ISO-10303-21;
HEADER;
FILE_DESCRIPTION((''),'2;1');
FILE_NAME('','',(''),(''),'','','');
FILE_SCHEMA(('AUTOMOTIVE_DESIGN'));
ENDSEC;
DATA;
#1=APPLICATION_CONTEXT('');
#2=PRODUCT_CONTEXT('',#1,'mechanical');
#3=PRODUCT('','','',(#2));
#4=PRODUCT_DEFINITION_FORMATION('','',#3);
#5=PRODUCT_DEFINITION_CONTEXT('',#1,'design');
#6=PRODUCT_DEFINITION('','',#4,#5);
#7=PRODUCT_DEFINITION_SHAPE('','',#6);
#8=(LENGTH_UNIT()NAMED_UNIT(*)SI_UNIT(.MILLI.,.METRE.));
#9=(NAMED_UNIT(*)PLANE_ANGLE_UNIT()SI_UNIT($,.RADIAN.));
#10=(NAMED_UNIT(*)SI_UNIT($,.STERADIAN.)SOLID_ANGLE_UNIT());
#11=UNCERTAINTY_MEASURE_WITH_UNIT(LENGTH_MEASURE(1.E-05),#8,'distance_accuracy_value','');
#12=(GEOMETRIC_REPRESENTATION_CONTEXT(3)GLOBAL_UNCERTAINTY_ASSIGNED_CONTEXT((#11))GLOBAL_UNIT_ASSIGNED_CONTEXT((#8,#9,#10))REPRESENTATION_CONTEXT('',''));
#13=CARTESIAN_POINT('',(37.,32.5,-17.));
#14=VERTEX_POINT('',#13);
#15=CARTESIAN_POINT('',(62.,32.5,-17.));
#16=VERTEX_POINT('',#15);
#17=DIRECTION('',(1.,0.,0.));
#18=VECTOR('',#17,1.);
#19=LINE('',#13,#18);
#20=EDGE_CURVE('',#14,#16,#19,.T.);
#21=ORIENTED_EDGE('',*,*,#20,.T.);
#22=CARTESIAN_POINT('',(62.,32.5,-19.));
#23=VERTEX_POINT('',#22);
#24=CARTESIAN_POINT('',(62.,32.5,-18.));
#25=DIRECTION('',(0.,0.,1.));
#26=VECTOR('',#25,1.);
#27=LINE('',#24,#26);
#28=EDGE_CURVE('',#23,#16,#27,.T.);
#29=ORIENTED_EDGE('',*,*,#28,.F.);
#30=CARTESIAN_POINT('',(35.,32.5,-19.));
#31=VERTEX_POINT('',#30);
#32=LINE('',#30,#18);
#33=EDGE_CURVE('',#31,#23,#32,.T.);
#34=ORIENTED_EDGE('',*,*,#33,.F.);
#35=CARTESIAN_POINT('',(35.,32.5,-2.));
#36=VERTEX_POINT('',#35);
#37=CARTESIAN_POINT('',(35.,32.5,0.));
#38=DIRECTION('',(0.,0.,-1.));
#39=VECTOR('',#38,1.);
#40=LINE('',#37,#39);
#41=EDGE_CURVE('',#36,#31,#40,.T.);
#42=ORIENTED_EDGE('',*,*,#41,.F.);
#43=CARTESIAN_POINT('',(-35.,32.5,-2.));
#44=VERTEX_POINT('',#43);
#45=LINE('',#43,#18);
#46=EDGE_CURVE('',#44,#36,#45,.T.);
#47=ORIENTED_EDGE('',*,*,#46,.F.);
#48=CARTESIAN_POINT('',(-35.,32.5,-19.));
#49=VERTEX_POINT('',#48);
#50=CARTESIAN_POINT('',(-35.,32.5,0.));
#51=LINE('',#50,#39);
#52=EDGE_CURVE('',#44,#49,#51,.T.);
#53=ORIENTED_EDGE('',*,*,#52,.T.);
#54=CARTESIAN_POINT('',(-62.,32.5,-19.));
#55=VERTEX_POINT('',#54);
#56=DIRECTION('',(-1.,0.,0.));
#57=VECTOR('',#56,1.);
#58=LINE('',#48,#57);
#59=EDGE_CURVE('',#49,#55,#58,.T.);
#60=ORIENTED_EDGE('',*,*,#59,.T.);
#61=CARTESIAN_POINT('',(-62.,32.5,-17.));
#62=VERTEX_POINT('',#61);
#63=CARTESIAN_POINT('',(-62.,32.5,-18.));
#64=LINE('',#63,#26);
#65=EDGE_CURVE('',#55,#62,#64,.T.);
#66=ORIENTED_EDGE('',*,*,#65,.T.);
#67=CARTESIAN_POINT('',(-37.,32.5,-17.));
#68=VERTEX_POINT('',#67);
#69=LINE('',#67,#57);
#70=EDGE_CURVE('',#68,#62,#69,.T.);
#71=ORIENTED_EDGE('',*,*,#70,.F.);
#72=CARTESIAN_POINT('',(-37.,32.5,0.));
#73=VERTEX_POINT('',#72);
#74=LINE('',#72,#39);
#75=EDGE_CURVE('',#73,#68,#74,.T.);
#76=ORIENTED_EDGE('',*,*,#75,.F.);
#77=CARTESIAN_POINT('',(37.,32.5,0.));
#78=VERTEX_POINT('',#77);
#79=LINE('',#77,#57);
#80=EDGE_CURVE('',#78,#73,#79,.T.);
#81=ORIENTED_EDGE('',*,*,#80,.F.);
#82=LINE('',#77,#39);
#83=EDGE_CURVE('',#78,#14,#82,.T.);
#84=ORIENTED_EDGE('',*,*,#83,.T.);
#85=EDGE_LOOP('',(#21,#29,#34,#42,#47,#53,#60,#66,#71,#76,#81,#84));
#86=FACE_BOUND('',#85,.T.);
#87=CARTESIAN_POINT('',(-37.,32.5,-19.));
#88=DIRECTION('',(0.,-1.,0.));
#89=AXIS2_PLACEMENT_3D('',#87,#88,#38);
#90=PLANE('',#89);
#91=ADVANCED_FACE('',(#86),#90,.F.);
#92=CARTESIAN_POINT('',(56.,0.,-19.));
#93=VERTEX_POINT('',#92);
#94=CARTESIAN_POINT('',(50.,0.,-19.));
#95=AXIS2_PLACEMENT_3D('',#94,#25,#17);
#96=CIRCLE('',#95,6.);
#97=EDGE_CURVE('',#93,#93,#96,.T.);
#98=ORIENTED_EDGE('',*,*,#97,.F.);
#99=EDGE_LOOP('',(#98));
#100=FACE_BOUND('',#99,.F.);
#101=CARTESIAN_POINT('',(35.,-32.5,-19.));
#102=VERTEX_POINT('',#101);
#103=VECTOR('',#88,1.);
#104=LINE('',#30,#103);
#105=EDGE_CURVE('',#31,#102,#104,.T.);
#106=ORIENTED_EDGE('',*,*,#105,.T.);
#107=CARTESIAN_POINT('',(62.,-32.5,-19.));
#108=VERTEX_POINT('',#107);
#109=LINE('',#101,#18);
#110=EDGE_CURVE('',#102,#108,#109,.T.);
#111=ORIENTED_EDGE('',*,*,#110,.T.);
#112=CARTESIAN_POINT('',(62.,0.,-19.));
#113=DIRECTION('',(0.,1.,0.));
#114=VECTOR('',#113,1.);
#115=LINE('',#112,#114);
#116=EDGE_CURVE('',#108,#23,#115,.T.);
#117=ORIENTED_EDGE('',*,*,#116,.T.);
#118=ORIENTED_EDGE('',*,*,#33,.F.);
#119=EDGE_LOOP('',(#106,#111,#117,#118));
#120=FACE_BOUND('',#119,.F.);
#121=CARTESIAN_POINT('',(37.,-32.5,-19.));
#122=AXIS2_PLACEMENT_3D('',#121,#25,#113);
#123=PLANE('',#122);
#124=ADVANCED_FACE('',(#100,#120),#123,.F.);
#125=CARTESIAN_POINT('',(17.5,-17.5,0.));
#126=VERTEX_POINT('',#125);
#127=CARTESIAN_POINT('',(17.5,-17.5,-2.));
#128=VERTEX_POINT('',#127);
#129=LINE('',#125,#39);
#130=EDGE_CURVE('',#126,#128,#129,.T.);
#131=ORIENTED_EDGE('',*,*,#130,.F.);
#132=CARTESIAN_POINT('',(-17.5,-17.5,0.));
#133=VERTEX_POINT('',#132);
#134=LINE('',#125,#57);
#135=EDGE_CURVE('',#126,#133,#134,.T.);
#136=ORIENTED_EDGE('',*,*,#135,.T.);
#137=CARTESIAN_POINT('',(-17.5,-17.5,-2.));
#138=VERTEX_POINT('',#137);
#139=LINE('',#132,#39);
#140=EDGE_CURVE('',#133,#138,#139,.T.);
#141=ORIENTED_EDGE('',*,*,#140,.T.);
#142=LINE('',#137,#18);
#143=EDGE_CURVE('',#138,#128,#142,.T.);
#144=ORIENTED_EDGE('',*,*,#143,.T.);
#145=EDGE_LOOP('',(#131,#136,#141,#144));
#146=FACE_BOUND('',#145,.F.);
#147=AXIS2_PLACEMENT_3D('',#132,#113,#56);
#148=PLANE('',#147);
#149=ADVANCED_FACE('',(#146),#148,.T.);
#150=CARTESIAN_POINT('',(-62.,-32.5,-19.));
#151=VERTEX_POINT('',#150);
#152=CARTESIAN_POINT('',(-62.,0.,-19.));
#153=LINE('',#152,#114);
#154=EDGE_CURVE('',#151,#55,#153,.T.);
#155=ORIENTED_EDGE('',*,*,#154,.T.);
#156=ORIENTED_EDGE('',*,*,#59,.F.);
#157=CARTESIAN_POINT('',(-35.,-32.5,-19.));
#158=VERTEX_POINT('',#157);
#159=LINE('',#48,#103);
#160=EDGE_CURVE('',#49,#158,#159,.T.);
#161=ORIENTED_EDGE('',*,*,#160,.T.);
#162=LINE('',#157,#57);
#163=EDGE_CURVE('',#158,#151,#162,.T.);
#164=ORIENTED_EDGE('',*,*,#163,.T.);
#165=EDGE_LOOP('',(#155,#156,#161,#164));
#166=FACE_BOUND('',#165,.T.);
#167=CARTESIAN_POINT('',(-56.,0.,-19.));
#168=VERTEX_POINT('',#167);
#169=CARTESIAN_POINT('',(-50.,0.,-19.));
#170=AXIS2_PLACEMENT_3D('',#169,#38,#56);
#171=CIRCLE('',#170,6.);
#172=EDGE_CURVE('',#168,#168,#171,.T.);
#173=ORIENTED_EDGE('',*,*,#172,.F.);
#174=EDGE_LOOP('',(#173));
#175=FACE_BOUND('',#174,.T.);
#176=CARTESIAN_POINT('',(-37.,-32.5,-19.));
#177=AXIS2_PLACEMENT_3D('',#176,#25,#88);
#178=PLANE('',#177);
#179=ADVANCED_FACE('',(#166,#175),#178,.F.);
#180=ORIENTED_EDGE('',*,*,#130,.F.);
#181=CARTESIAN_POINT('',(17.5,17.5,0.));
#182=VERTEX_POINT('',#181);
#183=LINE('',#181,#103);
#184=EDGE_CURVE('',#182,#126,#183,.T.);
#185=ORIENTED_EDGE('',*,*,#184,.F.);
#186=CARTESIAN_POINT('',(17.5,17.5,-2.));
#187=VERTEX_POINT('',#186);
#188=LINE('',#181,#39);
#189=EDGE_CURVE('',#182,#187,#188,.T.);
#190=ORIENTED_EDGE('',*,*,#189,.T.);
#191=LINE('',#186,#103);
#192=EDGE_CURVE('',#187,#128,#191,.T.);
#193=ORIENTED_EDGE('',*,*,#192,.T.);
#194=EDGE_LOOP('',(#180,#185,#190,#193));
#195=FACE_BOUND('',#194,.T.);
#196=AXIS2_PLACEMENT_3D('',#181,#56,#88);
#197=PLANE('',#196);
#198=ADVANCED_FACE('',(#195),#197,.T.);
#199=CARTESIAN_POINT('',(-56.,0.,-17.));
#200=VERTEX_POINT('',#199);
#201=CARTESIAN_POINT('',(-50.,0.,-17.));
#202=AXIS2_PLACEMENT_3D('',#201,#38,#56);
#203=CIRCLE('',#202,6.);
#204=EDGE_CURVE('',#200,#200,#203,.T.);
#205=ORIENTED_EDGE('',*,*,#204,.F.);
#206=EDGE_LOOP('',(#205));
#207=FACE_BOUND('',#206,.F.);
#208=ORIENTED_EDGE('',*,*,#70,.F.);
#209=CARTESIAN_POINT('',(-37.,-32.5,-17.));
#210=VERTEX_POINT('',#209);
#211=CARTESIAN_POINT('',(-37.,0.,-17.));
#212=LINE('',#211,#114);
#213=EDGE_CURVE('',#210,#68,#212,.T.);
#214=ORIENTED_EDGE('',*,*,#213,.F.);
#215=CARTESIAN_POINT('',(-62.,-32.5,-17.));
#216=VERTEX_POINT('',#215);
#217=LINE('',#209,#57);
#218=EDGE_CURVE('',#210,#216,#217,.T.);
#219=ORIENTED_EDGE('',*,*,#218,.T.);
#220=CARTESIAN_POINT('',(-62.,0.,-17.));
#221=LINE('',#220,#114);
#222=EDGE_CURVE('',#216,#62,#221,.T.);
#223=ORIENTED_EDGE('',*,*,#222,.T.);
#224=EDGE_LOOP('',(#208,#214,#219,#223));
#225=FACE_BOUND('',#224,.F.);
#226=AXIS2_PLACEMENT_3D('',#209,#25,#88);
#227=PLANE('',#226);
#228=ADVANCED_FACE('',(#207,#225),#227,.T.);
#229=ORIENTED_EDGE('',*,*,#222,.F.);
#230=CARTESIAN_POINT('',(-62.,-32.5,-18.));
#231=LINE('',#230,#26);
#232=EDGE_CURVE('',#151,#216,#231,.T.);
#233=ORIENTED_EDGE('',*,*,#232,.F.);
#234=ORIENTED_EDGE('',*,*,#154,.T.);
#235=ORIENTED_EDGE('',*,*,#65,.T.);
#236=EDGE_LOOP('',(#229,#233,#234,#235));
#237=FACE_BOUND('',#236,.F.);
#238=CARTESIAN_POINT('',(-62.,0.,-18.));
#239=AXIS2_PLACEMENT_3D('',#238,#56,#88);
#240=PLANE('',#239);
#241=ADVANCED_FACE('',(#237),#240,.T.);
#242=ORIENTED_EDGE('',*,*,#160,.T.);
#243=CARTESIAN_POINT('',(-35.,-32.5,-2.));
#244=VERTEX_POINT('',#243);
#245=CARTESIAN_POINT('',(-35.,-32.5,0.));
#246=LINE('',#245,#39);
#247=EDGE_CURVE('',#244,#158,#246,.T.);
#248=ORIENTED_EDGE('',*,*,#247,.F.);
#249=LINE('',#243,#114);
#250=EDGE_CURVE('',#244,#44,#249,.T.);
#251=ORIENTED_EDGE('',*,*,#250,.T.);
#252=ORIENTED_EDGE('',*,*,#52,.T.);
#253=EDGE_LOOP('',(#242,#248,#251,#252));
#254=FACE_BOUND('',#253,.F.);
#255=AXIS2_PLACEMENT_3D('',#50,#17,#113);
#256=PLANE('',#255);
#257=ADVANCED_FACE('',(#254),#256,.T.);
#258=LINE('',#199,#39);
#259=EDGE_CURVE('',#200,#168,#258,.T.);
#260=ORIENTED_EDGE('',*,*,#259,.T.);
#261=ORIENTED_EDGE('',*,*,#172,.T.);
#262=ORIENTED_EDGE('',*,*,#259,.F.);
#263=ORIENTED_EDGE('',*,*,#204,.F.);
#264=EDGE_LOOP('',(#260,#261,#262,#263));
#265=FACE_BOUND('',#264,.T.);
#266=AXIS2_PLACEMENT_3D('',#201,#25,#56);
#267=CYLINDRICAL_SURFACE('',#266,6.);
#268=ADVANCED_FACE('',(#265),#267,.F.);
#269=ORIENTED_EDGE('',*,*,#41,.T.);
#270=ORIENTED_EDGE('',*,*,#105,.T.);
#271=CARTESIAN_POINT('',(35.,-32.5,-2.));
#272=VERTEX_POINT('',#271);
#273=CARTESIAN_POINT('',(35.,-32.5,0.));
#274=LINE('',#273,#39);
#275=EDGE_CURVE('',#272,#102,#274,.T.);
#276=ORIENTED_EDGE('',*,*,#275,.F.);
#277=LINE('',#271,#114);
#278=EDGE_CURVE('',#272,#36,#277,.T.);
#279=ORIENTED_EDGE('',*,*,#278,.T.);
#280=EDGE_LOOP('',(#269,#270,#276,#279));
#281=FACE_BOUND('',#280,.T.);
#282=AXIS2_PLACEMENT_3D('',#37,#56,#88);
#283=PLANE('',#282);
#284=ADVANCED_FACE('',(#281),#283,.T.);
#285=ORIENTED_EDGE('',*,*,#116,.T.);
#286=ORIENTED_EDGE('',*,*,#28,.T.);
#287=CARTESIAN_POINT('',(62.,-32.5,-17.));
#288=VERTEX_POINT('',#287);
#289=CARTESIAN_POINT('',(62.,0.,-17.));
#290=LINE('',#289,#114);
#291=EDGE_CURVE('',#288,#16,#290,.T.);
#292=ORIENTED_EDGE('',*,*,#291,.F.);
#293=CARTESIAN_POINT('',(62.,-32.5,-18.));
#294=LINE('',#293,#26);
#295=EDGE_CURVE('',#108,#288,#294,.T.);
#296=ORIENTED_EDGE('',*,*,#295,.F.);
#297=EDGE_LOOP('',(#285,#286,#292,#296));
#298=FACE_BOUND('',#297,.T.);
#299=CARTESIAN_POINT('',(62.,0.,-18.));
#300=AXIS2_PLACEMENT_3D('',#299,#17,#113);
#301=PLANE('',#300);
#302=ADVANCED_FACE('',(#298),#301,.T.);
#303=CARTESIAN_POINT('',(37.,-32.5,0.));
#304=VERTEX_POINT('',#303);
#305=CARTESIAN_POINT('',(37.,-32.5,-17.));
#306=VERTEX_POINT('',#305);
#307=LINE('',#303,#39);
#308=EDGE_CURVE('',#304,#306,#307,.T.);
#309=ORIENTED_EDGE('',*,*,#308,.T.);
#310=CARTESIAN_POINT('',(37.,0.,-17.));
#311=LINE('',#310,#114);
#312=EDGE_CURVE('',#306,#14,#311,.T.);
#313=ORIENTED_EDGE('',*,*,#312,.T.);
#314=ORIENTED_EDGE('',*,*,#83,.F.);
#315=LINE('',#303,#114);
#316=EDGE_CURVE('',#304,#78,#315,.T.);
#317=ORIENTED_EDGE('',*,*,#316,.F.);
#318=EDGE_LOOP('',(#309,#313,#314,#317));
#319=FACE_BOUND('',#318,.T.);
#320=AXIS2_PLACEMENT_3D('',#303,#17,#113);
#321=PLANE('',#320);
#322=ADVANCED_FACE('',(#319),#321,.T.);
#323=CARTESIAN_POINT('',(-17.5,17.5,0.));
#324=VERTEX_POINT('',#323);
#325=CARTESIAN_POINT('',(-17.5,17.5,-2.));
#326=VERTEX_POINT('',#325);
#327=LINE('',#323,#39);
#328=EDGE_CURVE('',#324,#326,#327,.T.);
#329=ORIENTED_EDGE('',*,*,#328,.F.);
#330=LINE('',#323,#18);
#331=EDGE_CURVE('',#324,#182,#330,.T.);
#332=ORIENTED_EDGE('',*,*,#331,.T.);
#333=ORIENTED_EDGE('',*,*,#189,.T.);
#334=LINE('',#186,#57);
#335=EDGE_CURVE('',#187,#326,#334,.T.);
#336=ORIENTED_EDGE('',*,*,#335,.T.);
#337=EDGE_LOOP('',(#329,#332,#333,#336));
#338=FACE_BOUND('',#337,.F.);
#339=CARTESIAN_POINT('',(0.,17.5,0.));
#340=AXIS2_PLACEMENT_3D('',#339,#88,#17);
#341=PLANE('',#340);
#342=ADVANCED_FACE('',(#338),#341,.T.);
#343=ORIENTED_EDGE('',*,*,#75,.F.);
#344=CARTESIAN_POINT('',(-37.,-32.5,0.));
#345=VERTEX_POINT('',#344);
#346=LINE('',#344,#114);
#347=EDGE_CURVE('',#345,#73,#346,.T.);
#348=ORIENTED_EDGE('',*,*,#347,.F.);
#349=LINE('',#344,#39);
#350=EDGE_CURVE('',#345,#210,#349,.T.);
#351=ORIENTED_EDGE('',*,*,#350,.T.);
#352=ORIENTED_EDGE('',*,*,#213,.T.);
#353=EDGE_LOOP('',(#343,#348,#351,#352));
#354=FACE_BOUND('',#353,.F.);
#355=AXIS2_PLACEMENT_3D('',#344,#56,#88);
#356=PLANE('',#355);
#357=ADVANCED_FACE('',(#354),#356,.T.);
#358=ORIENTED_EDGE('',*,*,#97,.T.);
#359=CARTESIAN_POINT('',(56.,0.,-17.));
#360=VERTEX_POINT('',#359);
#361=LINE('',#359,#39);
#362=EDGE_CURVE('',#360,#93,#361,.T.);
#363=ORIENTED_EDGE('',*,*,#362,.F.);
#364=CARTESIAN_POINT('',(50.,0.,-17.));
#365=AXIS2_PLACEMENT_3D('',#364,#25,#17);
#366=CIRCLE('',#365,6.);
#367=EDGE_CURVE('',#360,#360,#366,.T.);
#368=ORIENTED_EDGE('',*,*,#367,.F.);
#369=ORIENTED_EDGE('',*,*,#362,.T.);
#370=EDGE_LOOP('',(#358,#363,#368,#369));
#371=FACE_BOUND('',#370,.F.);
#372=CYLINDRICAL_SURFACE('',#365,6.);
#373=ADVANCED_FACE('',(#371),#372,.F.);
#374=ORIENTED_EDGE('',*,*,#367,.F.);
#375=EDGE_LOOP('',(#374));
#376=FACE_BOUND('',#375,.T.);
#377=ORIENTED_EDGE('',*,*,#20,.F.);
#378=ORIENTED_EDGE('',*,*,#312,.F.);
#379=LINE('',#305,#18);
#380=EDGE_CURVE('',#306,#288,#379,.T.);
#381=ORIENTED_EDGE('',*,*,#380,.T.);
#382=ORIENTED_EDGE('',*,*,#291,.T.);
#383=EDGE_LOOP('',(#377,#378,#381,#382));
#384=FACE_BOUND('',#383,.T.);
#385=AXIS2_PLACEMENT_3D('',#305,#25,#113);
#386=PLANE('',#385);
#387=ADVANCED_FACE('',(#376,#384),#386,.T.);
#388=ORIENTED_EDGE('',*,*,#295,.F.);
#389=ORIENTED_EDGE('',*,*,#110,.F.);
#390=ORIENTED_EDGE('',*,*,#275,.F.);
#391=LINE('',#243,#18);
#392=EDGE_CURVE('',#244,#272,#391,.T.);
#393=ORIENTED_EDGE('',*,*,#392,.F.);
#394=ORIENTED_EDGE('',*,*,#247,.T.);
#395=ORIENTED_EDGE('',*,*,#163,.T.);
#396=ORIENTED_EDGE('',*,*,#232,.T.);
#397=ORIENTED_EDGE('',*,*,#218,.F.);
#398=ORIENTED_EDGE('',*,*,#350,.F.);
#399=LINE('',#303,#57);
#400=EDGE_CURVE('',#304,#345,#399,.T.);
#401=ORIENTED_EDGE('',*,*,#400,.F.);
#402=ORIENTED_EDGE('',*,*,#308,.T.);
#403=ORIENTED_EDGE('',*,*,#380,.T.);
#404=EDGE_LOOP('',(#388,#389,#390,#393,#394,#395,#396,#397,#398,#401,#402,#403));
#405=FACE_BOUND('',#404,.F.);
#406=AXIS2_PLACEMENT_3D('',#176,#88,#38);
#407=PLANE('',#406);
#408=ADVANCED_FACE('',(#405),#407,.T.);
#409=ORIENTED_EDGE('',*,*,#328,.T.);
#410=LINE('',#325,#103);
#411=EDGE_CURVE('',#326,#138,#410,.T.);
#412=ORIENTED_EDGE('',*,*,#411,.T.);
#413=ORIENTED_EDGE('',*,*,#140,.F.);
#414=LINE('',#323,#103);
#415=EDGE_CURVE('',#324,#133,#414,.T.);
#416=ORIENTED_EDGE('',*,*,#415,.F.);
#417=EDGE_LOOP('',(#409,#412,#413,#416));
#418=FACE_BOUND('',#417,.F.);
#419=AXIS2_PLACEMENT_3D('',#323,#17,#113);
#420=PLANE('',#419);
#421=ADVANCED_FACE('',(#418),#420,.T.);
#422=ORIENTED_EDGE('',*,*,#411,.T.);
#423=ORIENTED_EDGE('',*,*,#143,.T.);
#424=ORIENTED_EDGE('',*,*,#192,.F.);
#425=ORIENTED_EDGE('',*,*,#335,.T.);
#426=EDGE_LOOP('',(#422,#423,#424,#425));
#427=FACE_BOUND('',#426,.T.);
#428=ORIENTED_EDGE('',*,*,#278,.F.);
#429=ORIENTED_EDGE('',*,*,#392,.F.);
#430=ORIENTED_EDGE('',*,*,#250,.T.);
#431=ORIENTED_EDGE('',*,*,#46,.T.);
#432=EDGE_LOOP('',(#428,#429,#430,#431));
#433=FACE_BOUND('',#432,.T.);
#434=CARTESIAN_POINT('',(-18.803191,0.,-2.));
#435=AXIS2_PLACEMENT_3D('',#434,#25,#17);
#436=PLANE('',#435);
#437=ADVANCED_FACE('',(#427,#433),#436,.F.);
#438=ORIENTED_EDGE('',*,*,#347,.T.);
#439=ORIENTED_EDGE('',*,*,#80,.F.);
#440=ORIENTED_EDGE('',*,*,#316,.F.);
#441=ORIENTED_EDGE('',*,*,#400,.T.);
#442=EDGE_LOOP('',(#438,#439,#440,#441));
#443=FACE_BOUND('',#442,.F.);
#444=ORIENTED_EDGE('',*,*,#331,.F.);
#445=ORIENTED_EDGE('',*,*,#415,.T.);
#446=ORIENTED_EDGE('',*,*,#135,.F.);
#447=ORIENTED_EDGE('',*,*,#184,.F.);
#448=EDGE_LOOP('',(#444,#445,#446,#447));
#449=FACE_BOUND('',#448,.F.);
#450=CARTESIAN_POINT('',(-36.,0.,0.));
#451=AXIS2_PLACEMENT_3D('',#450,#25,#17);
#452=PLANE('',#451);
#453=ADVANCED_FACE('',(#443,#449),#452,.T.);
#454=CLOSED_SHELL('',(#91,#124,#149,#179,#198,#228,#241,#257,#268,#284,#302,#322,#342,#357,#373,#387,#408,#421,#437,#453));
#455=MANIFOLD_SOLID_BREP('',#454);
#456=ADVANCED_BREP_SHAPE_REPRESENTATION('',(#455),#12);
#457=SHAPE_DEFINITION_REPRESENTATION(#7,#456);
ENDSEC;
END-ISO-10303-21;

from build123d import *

# Parameters (mm, degrees)
F1_DEPTH = 2
F2_DEPTH = 19
F3_W     = 65
F3_H     = 2
F4_DEPTH = 25
F5_R     = 6
F6_DEPTH = 2.001


with BuildPart() as f1:
    # F0 (on Top) → F1 (new body)
    with BuildSketch(Plane.XY):
        Polygon((0, 32.5), (0, 17.5), (17.5, 17.5), (17.5, -17.5), (0, -17.5), (0, -32.5), (35, -32.5), (35, 0), (35, 32.5), align=None)
    extrude(amount=-F1_DEPTH)

    # F0 (on Top) → F2 (join)
    with BuildSketch(Plane.XY):
        Polygon((37, 32.5), (35, 32.5), (35, 0), (35, -32.5), (37, -32.5), align=None)
    extrude(amount=-F2_DEPTH)

    # F3 (on face) → F4 (join)
    with BuildSketch(Plane.YZ.offset(37)):
        with Locations((0, -18)):
            Rectangle(F3_W, F3_H)
    extrude(amount=F4_DEPTH)

    # F5 (on face) → F6 (cut, through all)
    with BuildSketch(Plane.XY.offset(-17)):
        with Locations((50, 0)):
            Circle(F5_R)
    extrude(amount=-F6_DEPTH, mode=Mode.SUBTRACT)

    # F7: F1 across face


with BuildPart() as f1_1:
    add(f1.part)
    add(f1.part.mirror(Plane(origin=(0, 25, -1), x_dir=(0, -1, 0), z_dir=(-1, 0, 0))))


solid = f1_1.part
